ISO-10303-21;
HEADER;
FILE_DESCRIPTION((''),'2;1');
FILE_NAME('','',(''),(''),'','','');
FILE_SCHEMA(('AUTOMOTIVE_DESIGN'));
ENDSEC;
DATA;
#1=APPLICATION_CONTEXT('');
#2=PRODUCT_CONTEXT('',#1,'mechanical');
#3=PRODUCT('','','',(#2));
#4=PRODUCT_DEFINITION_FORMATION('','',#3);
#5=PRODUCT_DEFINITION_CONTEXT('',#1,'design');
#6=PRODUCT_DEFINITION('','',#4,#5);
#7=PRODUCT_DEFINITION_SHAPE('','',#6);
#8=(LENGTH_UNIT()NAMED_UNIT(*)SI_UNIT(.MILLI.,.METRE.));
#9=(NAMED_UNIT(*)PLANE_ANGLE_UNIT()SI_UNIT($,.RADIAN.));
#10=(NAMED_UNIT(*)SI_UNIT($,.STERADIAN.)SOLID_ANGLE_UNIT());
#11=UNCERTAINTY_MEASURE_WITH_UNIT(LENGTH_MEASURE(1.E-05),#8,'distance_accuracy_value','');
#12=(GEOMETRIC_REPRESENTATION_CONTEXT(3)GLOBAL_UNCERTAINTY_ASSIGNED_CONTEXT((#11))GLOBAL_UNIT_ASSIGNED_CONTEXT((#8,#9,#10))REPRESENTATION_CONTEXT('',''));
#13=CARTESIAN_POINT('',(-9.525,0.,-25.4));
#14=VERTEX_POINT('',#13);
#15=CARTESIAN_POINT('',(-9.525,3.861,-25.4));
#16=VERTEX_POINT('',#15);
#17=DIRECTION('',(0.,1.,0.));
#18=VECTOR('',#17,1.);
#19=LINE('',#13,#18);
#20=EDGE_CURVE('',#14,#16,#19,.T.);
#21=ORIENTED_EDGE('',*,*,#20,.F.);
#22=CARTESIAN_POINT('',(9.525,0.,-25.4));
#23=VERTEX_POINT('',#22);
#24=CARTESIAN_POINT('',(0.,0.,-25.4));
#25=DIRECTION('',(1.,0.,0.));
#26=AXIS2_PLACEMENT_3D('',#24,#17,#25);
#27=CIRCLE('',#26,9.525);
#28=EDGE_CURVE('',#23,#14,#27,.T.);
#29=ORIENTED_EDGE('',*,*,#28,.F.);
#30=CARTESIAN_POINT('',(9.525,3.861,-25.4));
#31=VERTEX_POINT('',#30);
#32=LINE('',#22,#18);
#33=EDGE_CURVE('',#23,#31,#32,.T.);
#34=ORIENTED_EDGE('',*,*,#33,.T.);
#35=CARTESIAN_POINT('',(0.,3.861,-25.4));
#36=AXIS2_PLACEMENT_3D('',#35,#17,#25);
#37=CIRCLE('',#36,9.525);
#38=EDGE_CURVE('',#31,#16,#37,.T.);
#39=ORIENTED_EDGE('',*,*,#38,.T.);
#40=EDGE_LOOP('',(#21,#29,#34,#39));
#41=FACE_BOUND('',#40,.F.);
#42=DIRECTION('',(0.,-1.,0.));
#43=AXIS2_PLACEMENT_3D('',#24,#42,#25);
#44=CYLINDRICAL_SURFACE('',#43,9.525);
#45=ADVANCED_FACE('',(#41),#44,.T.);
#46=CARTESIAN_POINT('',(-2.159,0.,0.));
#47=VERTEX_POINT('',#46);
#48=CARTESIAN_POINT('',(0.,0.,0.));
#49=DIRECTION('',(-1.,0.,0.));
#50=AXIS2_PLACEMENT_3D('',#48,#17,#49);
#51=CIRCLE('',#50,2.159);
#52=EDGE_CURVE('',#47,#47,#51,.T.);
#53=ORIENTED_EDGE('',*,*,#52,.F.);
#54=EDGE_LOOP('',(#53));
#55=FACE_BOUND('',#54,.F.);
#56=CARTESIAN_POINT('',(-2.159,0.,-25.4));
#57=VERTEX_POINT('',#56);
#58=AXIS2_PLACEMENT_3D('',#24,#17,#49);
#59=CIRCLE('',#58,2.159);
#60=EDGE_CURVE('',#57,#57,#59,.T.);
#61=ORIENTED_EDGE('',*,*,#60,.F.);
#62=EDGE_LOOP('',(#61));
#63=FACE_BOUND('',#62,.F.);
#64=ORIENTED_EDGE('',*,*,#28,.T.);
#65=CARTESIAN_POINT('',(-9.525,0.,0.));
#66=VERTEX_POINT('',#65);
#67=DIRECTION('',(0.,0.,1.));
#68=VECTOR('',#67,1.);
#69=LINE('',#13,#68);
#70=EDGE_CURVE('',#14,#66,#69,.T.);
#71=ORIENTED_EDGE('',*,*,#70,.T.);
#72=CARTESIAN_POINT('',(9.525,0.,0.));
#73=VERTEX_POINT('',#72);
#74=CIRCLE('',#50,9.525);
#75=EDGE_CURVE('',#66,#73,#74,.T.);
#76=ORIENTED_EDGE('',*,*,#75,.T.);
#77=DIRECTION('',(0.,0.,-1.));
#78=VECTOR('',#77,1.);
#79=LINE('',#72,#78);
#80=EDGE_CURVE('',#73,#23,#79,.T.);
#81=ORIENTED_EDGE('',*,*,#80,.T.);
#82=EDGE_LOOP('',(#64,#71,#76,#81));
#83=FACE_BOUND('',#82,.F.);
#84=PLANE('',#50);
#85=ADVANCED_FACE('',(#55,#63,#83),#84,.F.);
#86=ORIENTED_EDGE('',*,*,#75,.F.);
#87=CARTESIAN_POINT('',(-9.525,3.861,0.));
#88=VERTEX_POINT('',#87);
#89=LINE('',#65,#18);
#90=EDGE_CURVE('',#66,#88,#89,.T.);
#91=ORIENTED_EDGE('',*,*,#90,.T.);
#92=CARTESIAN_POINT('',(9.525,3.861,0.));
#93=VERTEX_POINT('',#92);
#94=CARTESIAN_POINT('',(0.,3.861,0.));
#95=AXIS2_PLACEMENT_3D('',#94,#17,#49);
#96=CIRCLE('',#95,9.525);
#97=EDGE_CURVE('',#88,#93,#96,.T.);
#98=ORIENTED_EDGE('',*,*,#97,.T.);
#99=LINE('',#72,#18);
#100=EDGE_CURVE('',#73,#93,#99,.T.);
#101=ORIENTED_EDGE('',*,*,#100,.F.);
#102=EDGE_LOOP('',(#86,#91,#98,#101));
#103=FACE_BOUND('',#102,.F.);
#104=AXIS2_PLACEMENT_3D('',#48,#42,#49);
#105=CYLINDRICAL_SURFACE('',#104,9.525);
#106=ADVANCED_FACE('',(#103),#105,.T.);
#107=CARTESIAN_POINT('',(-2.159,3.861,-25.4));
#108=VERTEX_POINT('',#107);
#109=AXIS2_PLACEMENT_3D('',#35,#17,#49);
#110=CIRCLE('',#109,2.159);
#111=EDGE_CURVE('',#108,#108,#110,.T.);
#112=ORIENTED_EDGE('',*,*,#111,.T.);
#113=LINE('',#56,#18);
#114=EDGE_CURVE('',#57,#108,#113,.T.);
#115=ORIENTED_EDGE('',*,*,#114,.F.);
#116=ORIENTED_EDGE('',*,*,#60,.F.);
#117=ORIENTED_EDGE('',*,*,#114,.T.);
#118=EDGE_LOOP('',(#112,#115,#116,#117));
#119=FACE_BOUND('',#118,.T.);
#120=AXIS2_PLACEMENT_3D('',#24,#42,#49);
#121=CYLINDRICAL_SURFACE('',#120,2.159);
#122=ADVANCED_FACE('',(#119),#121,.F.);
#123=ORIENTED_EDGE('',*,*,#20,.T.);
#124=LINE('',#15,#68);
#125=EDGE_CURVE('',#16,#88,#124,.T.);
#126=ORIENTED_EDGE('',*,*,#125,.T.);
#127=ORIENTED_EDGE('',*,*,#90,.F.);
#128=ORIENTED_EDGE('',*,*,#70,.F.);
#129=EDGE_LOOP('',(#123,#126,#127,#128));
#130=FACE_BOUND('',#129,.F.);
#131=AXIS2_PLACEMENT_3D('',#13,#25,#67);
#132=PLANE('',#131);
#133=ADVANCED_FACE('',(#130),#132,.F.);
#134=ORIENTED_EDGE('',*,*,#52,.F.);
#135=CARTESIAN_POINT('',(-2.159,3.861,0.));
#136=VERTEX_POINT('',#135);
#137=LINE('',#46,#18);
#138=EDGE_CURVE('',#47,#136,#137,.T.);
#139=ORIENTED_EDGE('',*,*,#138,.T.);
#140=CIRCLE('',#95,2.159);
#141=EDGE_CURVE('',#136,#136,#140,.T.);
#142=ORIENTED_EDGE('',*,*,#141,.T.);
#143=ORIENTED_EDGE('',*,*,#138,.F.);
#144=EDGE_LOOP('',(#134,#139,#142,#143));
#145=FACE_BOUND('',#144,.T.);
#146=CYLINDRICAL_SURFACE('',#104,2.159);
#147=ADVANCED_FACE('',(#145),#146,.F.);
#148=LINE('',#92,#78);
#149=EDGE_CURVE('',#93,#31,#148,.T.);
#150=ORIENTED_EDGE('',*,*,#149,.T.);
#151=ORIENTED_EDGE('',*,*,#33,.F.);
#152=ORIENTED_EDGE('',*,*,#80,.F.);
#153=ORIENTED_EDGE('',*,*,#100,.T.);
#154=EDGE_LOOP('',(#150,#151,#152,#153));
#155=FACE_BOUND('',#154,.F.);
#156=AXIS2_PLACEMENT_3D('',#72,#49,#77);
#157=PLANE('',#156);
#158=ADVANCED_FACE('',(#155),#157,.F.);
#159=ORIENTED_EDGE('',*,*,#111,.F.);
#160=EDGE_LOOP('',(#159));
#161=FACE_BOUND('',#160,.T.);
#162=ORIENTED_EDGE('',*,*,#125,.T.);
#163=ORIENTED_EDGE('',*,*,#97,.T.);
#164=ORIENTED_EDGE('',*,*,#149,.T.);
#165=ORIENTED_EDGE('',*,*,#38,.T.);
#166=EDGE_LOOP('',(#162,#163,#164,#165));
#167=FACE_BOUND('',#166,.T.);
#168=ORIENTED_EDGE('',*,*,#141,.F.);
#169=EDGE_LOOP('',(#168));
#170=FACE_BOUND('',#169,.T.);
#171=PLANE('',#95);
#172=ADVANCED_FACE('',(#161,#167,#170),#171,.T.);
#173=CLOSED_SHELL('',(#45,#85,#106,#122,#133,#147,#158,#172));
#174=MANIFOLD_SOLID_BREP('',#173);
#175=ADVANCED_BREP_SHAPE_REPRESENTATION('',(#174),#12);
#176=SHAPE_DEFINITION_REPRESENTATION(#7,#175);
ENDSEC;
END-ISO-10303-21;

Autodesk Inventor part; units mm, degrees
ref_plane "YZ Plane" through (0, 0, 0) normal (1, 0, 0) x (0, 1, 0)
ref_plane "XZ Plane" through (0, 0, 0) normal (0, 1, 0) x (-1, 0, 0)
ref_plane "XY Plane" through (0, 0, 0) normal (0, 0, 1) x (1, 0, 0)
sketch "Sketch1" plane through (0, 0, 0) normal (0, 1, 0) x (-1, 0, 0)
  circle A0 centre (0, 0) radius 2.159
  circle A1 centre (0, -25.4) radius 2.159
  line L0 (0, 0) -> (0, -25.4) construction
  line L1 (-9.525, 0) -> (-9.525, -25.4)
  line L2 (9.525, -25.4) -> (9.525, 0)
  arc A2 (9.525, 0) -> (-9.525, 0) centre (0, 0) ccw
  arc A3 (-9.525, -25.4) -> (9.525, -25.4) centre (0, -25.4) ccw
  point P0 (0, -12.7)
  dimension "d0" = 4.318
  dimension "d2" = 25.4
  dimension "d3" = 19.05
extrude "Extrusion1" add sketch "Sketch1" along normal blind 3.861
properties part number "Small Motor Spacer" material "PET Plastic"
